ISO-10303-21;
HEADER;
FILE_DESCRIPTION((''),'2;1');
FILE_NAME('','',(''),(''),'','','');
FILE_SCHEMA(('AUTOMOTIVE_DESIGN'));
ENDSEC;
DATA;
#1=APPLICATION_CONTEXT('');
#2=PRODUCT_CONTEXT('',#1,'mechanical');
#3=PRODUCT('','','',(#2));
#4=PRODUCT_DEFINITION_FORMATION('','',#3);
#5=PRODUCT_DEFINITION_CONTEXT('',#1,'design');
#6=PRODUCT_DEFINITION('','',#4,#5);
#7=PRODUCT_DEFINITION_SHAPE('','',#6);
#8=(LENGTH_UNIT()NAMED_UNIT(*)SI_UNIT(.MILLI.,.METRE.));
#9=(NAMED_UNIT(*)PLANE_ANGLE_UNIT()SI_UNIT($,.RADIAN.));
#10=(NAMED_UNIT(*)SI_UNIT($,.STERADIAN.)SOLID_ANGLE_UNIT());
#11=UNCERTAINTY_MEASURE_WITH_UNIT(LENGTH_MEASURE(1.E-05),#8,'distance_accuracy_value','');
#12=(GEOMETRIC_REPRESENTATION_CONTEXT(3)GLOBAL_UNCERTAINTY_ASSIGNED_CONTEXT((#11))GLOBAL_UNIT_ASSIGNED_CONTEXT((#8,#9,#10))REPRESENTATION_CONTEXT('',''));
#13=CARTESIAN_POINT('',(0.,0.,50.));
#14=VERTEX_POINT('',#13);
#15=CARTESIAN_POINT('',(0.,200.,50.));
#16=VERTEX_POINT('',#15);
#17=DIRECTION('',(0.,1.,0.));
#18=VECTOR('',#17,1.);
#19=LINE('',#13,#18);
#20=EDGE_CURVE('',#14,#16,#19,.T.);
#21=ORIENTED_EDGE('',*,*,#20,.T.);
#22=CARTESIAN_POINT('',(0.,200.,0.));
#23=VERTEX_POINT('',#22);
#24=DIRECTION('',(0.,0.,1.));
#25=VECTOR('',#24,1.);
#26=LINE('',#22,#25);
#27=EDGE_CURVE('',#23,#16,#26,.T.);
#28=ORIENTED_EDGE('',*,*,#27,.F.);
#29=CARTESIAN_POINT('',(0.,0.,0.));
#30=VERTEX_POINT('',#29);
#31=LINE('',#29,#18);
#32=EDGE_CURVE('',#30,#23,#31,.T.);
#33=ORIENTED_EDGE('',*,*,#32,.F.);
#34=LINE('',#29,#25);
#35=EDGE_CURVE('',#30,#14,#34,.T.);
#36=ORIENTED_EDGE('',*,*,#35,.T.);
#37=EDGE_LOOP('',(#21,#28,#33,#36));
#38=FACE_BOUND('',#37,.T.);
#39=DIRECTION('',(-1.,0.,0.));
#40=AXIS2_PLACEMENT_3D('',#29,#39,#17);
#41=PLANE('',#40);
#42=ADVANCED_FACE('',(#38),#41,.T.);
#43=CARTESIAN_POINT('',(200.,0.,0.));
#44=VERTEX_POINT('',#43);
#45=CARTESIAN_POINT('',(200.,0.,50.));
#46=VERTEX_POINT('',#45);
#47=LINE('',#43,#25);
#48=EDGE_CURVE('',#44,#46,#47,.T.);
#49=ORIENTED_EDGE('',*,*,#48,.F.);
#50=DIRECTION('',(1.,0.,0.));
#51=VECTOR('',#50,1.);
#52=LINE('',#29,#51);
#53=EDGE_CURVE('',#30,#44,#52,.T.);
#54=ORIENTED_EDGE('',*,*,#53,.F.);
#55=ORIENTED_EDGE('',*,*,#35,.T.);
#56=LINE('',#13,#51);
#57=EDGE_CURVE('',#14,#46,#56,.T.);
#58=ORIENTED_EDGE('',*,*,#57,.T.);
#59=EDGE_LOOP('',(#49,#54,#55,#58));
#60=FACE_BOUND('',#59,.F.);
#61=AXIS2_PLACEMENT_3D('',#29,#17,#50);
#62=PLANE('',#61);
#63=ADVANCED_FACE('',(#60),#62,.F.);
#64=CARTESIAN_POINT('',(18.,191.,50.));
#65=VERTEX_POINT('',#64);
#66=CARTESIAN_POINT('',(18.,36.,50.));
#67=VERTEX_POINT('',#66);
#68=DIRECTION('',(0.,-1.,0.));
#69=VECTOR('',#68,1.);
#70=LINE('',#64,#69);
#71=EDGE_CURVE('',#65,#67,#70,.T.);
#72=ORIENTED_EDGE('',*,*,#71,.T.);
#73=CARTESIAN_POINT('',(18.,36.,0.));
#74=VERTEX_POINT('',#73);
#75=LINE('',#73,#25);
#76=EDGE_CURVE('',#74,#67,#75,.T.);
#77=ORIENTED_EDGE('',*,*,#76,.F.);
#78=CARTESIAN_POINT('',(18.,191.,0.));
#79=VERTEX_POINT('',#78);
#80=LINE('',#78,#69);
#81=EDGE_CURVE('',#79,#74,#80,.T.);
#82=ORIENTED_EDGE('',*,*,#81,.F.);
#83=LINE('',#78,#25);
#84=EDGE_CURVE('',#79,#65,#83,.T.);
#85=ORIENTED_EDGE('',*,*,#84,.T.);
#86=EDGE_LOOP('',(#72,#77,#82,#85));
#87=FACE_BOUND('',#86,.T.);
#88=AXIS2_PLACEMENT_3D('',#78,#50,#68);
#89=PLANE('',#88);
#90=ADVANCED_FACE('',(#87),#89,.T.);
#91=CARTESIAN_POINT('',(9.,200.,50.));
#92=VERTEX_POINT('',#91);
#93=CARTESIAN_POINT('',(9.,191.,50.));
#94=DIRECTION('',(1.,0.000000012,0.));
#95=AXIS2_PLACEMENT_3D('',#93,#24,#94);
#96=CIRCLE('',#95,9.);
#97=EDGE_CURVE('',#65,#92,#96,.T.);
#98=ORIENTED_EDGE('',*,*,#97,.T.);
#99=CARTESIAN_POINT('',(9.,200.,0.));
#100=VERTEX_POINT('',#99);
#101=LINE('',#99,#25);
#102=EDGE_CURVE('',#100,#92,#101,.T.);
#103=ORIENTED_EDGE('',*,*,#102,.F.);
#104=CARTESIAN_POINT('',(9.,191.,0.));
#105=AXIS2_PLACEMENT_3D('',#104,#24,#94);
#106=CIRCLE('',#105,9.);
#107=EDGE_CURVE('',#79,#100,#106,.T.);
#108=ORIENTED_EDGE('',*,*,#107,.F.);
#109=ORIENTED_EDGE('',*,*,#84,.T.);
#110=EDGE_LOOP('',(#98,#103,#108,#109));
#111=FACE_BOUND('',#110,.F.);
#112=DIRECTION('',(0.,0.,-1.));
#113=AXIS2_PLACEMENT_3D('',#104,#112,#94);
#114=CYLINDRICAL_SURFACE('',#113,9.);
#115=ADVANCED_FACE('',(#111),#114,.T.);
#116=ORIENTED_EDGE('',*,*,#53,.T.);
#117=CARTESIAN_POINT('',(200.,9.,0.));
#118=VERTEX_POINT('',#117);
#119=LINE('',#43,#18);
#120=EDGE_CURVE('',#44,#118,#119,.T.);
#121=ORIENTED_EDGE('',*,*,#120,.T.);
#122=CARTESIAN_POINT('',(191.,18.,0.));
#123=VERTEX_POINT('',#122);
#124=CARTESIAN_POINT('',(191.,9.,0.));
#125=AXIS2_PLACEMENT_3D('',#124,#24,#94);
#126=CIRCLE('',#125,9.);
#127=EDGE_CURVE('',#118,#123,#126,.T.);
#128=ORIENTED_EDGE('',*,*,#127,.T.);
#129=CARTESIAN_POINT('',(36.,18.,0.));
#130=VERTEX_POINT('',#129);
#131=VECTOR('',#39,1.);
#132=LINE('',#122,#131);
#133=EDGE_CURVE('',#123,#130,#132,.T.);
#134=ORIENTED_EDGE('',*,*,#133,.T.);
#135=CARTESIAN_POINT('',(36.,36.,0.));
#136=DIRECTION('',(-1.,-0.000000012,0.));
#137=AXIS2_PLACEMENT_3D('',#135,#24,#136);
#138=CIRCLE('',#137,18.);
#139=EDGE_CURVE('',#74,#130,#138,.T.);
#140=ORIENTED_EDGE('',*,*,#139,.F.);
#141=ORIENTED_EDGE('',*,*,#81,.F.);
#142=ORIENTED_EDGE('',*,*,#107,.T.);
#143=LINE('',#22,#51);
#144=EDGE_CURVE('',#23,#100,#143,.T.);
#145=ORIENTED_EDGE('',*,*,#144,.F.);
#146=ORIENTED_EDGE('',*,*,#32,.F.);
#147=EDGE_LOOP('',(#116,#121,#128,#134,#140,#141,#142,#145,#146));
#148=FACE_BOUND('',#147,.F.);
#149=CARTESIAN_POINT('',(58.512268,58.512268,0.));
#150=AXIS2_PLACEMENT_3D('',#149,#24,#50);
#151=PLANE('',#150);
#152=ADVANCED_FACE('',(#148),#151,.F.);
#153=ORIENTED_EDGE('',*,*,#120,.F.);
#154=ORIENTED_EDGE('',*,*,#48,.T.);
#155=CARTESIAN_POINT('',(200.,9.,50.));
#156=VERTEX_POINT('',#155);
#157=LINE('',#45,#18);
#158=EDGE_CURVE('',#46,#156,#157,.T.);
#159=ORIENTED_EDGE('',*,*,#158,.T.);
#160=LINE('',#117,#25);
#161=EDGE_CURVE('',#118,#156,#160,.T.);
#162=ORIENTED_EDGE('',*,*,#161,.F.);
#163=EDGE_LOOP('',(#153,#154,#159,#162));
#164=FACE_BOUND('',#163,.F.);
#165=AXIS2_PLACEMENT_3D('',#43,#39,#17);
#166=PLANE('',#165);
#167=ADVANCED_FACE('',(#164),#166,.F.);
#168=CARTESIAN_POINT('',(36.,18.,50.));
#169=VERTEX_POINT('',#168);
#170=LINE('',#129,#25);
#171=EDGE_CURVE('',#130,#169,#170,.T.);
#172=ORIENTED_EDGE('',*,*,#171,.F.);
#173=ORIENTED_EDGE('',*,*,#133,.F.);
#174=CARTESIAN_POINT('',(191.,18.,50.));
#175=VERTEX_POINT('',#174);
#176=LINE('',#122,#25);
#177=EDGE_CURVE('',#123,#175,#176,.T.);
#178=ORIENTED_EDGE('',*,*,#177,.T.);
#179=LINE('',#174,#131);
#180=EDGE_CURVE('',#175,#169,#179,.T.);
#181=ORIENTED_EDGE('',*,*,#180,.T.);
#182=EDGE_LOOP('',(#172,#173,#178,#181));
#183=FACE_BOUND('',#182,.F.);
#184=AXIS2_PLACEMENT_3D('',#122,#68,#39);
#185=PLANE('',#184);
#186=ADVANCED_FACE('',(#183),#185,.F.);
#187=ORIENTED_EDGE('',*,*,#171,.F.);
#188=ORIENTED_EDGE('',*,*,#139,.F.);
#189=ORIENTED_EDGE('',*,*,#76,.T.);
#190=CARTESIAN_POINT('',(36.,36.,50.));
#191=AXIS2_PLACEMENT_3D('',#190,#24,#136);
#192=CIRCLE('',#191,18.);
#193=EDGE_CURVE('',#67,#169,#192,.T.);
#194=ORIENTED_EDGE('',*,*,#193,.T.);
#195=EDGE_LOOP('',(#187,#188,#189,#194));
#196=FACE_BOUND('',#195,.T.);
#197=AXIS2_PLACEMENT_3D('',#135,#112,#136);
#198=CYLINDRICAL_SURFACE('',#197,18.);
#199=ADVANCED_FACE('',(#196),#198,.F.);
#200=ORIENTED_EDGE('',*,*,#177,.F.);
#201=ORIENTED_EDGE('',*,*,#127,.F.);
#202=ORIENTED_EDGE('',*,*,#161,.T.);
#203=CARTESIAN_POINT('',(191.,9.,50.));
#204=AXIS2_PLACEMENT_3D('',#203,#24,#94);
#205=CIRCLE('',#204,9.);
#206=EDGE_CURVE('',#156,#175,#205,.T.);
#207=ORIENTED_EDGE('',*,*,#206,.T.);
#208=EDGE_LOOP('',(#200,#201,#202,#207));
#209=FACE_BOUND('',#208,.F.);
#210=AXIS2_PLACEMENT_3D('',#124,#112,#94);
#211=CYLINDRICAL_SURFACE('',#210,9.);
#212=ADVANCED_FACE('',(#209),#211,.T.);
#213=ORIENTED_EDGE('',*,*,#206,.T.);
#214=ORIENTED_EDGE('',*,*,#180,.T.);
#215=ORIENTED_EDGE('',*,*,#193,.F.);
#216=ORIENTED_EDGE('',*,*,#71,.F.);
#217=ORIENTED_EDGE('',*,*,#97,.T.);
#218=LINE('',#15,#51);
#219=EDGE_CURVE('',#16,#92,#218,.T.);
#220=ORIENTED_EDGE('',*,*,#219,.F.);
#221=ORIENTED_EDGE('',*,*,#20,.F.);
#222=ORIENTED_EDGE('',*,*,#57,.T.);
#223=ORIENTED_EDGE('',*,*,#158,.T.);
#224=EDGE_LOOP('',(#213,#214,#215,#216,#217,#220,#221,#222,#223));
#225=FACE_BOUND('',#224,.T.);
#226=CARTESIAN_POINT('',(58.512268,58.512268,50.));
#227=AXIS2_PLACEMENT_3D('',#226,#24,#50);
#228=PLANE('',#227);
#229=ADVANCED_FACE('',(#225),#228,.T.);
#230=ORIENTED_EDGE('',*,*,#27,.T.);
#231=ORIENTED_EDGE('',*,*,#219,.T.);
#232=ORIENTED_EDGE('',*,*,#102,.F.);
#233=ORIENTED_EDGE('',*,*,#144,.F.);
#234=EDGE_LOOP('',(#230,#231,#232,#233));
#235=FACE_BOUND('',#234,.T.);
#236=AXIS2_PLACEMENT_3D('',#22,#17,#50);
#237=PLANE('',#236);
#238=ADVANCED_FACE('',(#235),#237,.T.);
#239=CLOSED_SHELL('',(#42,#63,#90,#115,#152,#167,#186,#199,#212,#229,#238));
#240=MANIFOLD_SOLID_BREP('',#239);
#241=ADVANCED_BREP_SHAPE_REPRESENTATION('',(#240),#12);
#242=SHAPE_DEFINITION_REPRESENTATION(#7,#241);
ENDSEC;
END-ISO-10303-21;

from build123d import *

# Parameters (mm, degrees)
EXTRUDE_DEPTH = 50


with BuildPart() as part:
    # Sketch → Extrude (new body)
    with BuildSketch(Plane.XY):
        with BuildLine():
            Line((0, 0), (200, 0))
            Line((200, 0), (200, 9))
            ThreePointArc((200, 9), (197.363961, 15.363961), (191, 18))
            Line((191, 18), (36, 18))
            ThreePointArc((18, 36), (23.272078, 23.272078), (36, 18))
            Line((18, 191), (18, 36))
            ThreePointArc((18, 191), (15.363961, 197.363961), (9, 200))
            Line((0, 200), (9, 200))
            Line((0, 0), (0, 200))
        make_face()
    extrude(amount=EXTRUDE_DEPTH)


solid = part.part
